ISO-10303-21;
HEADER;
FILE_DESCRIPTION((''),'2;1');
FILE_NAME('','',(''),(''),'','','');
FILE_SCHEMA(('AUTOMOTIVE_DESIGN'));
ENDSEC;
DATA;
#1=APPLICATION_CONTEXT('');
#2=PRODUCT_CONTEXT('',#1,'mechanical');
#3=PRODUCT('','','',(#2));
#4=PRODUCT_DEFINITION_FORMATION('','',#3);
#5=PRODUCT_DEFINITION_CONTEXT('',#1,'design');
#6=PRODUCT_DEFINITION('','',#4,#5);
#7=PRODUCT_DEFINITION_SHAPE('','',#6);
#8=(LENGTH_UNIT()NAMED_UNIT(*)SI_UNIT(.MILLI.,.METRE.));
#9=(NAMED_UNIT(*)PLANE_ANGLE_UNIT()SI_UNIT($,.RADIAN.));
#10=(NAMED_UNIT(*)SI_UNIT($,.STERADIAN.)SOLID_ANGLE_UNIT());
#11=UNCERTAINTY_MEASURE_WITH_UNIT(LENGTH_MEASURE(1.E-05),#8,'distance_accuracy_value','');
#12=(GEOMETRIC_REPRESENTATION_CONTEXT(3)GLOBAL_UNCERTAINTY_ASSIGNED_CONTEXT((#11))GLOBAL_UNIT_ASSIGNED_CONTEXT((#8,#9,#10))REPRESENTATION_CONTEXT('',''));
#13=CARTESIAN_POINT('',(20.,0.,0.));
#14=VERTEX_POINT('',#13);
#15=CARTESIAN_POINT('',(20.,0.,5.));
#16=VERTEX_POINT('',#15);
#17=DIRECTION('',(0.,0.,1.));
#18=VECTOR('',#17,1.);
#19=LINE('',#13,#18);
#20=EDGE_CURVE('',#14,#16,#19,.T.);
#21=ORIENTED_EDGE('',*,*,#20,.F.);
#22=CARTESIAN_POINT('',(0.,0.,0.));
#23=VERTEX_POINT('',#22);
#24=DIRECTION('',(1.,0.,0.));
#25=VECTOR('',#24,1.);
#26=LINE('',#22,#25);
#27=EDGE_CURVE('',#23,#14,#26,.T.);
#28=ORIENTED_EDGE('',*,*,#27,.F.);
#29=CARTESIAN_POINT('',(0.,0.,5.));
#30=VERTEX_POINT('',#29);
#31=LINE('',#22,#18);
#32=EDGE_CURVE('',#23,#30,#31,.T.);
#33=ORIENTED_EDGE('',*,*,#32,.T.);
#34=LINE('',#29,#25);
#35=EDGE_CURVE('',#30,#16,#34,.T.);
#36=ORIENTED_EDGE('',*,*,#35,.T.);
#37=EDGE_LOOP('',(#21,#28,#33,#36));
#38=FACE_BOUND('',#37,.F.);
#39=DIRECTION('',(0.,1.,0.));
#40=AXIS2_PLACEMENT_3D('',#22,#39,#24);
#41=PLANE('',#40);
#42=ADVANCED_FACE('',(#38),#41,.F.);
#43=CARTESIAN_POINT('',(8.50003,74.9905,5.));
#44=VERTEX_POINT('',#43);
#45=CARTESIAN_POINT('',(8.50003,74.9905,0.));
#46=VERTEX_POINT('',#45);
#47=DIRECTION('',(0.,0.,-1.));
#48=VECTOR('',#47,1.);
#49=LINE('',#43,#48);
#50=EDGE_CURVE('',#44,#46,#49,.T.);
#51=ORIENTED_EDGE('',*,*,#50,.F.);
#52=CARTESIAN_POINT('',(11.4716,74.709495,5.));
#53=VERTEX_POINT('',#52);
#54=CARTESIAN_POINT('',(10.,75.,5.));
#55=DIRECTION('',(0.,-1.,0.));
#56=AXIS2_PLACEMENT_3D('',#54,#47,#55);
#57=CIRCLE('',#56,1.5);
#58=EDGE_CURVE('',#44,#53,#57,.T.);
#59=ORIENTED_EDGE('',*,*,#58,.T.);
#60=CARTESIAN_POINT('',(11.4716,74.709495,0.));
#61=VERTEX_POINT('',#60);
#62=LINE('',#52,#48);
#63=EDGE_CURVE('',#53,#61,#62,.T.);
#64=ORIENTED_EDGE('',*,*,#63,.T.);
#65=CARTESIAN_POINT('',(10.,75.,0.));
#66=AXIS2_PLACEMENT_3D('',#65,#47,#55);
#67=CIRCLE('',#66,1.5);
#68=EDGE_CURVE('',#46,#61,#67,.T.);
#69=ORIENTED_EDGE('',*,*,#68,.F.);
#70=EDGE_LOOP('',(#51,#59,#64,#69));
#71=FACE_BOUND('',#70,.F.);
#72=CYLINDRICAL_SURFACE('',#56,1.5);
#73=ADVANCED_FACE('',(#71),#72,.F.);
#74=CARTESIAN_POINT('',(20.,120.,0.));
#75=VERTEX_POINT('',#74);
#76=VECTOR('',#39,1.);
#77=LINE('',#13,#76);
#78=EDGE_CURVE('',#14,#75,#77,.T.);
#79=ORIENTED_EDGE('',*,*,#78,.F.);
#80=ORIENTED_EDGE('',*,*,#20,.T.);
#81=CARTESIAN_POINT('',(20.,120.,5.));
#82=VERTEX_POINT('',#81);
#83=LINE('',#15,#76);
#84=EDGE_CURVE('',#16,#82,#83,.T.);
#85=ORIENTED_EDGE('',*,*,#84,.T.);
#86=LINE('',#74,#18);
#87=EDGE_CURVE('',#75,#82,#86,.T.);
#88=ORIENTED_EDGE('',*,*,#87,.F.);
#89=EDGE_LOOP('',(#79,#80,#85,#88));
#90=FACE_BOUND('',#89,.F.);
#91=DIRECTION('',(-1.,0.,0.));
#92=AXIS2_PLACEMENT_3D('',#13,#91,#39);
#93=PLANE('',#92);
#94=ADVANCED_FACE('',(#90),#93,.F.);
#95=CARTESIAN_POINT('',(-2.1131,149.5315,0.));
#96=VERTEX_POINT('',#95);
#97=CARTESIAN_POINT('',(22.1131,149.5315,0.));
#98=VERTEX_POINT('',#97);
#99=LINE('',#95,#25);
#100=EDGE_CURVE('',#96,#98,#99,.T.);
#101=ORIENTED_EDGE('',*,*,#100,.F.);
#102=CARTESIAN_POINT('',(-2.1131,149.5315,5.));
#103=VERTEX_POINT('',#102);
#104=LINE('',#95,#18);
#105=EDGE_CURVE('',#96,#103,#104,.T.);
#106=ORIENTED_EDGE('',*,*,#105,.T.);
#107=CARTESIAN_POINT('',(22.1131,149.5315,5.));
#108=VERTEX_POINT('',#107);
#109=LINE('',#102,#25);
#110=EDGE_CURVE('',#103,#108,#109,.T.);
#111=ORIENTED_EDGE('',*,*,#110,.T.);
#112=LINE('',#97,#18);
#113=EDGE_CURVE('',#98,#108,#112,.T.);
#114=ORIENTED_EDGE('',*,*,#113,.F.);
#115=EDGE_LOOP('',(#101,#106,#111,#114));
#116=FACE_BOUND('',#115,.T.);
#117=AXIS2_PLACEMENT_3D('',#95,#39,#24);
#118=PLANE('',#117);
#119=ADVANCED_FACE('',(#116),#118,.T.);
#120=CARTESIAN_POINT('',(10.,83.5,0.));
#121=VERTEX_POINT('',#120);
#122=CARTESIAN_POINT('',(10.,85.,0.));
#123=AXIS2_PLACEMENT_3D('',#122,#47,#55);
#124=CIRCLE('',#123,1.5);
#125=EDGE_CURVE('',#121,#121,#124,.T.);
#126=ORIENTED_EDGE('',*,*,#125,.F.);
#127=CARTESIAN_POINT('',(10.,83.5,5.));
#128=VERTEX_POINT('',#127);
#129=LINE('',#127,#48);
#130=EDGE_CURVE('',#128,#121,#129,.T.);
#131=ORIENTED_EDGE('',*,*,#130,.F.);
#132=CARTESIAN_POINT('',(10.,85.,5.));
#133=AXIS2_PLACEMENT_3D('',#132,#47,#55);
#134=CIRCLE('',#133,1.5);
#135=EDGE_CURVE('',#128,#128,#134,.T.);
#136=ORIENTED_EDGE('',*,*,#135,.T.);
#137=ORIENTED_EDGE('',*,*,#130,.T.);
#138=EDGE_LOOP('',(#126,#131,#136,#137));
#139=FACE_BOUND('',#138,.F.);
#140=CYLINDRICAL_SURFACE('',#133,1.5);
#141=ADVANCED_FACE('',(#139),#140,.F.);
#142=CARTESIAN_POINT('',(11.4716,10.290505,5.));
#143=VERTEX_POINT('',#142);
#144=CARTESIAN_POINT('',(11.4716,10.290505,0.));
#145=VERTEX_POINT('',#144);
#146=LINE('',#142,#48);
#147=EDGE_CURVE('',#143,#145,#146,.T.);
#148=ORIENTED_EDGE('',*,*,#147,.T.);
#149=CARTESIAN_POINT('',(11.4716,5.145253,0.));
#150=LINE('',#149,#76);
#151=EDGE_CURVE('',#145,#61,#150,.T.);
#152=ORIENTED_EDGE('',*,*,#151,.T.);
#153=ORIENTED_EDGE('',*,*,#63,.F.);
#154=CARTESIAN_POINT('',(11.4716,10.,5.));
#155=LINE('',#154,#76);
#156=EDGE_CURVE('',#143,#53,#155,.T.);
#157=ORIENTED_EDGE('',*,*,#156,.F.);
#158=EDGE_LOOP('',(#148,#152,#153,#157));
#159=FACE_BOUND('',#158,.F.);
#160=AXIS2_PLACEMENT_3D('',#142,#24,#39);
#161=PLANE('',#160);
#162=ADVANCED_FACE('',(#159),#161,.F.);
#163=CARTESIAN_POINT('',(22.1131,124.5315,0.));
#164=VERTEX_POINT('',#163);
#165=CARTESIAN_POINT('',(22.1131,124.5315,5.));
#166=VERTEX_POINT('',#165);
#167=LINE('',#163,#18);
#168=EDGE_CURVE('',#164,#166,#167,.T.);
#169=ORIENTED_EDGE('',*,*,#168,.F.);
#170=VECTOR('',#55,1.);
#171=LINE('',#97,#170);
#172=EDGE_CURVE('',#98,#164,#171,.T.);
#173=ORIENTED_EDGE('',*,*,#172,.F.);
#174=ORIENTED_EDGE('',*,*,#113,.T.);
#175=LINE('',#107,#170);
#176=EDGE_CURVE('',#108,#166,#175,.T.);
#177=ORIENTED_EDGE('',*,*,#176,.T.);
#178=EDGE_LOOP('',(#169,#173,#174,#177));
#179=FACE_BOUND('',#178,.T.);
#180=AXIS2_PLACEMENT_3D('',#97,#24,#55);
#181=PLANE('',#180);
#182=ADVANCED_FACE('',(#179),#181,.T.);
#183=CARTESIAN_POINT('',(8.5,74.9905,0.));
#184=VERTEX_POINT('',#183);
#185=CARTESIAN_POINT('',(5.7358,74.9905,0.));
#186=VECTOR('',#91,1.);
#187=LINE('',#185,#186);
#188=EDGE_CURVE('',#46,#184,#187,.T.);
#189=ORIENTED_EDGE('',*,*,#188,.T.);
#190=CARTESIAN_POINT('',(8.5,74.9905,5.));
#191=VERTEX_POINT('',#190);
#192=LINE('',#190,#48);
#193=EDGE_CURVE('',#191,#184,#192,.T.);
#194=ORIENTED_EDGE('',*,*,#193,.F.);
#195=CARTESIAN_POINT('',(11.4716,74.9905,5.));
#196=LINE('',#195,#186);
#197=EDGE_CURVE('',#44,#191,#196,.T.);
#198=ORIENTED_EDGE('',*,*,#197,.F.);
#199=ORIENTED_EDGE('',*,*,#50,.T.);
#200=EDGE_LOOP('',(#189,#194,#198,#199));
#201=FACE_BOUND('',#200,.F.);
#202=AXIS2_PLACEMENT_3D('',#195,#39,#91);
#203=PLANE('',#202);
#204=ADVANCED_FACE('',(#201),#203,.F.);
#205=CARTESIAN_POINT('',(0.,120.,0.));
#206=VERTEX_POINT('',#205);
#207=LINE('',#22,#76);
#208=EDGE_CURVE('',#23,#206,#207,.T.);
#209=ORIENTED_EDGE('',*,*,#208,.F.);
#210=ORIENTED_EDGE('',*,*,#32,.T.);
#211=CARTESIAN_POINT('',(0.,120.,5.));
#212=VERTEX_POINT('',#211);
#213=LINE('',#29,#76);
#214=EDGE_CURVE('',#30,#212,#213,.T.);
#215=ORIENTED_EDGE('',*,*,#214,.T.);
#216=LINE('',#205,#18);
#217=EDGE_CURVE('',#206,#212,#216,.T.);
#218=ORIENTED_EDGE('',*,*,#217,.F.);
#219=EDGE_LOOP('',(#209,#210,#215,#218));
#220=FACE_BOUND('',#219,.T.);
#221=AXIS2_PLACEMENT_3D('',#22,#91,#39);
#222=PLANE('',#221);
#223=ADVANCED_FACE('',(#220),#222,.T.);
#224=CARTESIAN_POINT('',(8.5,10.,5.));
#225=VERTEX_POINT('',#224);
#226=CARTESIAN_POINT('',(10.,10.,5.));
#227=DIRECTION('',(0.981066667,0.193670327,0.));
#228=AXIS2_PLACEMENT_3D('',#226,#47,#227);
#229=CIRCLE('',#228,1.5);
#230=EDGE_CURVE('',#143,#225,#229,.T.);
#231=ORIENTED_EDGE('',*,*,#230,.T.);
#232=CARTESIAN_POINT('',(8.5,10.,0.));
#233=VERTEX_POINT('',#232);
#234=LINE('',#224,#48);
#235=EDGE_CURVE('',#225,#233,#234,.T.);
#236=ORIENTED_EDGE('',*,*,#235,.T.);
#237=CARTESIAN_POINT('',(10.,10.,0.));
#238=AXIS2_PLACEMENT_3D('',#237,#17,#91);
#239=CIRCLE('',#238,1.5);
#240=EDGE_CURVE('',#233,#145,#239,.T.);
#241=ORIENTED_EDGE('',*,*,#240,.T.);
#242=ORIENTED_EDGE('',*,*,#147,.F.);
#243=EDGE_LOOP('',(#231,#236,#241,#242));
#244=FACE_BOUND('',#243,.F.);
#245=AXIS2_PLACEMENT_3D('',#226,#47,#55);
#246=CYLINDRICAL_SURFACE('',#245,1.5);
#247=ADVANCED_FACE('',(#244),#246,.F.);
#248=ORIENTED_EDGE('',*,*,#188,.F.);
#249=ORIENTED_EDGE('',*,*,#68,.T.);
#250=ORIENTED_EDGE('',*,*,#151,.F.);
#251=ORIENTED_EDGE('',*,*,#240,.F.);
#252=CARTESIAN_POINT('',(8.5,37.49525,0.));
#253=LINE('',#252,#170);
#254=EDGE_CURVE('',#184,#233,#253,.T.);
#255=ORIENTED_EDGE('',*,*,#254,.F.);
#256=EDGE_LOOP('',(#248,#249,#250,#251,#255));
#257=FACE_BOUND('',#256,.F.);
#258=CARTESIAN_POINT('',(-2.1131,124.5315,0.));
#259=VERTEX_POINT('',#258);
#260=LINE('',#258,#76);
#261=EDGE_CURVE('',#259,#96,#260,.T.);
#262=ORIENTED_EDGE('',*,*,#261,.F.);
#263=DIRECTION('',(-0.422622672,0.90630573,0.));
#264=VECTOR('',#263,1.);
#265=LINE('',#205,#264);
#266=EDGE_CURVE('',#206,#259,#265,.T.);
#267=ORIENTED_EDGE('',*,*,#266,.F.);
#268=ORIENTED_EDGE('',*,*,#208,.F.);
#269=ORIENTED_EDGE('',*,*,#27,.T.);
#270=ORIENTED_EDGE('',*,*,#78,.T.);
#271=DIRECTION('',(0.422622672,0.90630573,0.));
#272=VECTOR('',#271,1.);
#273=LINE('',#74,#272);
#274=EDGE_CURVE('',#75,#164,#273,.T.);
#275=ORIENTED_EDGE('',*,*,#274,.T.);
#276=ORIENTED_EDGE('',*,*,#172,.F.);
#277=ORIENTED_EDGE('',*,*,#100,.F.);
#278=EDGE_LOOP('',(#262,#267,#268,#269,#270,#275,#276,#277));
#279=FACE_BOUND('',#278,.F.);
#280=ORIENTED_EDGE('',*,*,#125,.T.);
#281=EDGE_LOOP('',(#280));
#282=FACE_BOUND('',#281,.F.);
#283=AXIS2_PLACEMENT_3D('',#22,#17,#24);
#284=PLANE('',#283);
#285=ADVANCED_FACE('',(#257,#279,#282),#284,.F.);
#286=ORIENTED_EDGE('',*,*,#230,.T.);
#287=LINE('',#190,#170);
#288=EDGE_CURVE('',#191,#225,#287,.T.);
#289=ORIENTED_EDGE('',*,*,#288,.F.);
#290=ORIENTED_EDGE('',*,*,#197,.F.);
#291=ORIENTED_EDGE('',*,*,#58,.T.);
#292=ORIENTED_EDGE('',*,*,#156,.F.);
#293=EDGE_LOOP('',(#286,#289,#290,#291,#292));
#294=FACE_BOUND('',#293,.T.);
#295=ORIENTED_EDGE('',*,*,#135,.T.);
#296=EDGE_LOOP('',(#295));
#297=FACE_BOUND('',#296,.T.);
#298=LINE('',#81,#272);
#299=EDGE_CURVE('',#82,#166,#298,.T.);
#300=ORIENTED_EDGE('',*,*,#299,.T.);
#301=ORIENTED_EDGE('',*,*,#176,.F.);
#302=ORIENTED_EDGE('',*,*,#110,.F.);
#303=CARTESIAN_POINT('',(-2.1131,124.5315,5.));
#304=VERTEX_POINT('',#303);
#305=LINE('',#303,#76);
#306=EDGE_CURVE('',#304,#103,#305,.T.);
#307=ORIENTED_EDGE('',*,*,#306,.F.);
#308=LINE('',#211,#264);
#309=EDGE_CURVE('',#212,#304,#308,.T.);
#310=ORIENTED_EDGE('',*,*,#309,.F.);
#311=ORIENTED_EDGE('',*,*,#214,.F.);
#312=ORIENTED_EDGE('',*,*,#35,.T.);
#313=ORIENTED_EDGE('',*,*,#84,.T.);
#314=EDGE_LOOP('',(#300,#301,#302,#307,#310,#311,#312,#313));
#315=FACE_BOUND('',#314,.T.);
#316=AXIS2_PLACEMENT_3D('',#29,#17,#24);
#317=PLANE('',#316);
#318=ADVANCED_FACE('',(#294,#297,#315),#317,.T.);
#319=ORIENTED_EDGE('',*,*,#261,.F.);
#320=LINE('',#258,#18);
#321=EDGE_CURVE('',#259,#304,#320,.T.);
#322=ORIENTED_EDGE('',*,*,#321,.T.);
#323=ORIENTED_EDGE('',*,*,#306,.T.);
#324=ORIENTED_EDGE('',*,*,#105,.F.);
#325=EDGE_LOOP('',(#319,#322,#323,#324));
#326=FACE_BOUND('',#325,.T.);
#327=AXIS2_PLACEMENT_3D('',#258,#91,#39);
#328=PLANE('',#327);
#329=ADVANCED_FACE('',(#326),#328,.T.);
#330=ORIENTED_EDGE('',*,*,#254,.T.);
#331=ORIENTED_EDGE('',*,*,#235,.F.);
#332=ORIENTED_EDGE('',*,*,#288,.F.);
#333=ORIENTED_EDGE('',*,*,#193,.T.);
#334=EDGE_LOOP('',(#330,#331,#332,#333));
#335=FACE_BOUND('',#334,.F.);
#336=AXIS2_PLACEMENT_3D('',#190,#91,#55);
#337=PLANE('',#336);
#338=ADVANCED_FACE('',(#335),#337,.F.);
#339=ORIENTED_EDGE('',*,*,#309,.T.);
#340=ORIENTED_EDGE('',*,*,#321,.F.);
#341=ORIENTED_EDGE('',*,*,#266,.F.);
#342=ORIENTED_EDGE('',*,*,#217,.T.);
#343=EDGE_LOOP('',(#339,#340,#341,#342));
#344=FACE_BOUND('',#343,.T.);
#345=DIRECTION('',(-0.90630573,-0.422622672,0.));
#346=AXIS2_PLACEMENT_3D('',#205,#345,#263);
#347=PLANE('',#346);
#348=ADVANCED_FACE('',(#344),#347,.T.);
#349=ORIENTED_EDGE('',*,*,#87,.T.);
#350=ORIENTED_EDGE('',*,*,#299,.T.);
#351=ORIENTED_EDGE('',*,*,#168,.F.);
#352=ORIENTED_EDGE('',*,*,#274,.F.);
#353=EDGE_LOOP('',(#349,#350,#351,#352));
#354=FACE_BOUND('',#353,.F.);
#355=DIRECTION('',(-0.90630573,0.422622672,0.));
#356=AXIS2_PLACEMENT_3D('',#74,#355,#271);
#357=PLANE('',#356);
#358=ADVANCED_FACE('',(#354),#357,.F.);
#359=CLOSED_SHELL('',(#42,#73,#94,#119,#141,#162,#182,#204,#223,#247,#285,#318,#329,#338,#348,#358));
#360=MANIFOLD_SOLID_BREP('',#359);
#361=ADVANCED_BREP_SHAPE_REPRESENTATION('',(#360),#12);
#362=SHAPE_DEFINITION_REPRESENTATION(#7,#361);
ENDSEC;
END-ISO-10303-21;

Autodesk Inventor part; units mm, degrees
ref_plane "YZ Plane" through (0, 0, 0) normal (1, 0, 0) x (0, 1, 0)
ref_plane "XZ Plane" through (0, 0, 0) normal (0, 1, 0) x (-1, 0, 0)
ref_plane "XY Plane" through (0, 0, 0) normal (0, 0, 1) x (1, 0, 0)
sketch "Sketch1" plane through (0, 0, 0) normal (0, 0, 1) x (1, 0, 0)
  line L0 (0, 0) -> (20, 0)
  line L1 (20, 0) -> (20, 120)
  line L2 (0, 0) -> (0, 120)
  line L3 (0, 0) -> (120, 0) construction
  line L4 (20, 120) -> (22.1131, 124.5315)
  line L5 (20, 120) -> (25, 120) construction
  line L6 (0, 120) -> (-2.1131, 124.5315)
  line L7 (-2.1131, 124.5315) -> (-2.1131, 149.5315)
  line L8 (-2.1131, 149.5315) -> (22.1131, 149.5315)
  line L9 (22.1131, 149.5315) -> (22.1131, 124.5315)
  dimension "d0" = 20
  dimension "d1" = 120
  dimension "d2" = 90
  dimension "d3" = 120
  dimension "d4" = 90
  dimension "d5" = 5
  dimension "d6" = 65
  dimension "d7" = 5
  dimension "d8" = 25
extrude "Extrusion1" add sketch "Sketch1" along normal blind 5
sketch "Sketch2" plane through (0, 0, 5) normal (0, 0, 1) x (1, 0, 0)
  point P0 (0, 0)
  point P1 (10, 10)
hole "Hole1" at (10, 10, 5) direction (0, 0, -1) diameter 3 end through all
sketch "Sketch3" plane through (0, 0, 5) normal (0, 0, 1) x (1, 0, 0)
  point P0 (0, 0)
sketch "Sketch4" plane through (0, 0, 5) normal (0, 0, 1) x (1, 0, 0)
  point P0 (0, 0)
  point P1 (10, 75)
hole "Hole2" at (10, 75, 5) direction (0, 0, -1) diameter 3 end through all
sketch "Sketch5" plane through (0, 0, 5) normal (0, 0, 1) x (1, 0, 0)
  circle A0 centre (10, 10) radius 1.5 projected
  line L0 (11.4716, 74.9905) -> (8.5, 74.9905)
  line L1 (8.5, 74.9905) -> (8.5, 10)
  line L2 (8.5, 10) -> (11.4716, 10)
  line L3 (11.4716, 10) -> (11.4716, 74.9905)
  point P0 (0, 0)
extrude "Extrusion2" cut sketch "Sketch5" against normal blind 10 contours L1 L0 L3 A0 | A0 L3 L2 picked at (9.5055, 10.1215)
sketch "Sketch6" plane through (0, 0, 5) normal (0, 0, 1) x (1, 0, 0)
  point P0 (0, 0)
  point P1 (10, 85)
hole "Hole3" at (10, 85, 5) direction (0, 0, -1) diameter 3 end through all
sketch "Sketch8" plane through (0, 0, 0) normal (0, 0, -1) x (-1, 0, 0)
  point P0 (0, 0)
  point P1 (-10, -8)
hole "Hole4" at (10, -8, 0) direction (0, 0, 1) diameter 3 end through all
sketch "Sketch10" plane through (0, 0, 5) normal (0, 0, 1) x (1, 0, 0)
  line L0 (22.1131, 124.5315) -> (22.1131, 149.5315) projected
  line L1 (-2.1131, 149.5315) -> (-2.1131, 124.5315) projected
  point P0 (0, 0)
  dimension "d45" = 24.2262
sketch "Sketch11" plane through (0, 0, 5) normal (0, 0, 1) x (1, 0, 0)
  point P0 (0, 0)
sketch "Sketch12" plane through (0, 0, 5) normal (0, 0, 1) x (1, 0, 0)
  point P0 (0, 0)
sketch "Sketch13" plane through (0, 0, 5) normal (0, 0, 1) x (1, 0, 0)
  point P0 (0, 0)
properties material "Steel, Cast"
